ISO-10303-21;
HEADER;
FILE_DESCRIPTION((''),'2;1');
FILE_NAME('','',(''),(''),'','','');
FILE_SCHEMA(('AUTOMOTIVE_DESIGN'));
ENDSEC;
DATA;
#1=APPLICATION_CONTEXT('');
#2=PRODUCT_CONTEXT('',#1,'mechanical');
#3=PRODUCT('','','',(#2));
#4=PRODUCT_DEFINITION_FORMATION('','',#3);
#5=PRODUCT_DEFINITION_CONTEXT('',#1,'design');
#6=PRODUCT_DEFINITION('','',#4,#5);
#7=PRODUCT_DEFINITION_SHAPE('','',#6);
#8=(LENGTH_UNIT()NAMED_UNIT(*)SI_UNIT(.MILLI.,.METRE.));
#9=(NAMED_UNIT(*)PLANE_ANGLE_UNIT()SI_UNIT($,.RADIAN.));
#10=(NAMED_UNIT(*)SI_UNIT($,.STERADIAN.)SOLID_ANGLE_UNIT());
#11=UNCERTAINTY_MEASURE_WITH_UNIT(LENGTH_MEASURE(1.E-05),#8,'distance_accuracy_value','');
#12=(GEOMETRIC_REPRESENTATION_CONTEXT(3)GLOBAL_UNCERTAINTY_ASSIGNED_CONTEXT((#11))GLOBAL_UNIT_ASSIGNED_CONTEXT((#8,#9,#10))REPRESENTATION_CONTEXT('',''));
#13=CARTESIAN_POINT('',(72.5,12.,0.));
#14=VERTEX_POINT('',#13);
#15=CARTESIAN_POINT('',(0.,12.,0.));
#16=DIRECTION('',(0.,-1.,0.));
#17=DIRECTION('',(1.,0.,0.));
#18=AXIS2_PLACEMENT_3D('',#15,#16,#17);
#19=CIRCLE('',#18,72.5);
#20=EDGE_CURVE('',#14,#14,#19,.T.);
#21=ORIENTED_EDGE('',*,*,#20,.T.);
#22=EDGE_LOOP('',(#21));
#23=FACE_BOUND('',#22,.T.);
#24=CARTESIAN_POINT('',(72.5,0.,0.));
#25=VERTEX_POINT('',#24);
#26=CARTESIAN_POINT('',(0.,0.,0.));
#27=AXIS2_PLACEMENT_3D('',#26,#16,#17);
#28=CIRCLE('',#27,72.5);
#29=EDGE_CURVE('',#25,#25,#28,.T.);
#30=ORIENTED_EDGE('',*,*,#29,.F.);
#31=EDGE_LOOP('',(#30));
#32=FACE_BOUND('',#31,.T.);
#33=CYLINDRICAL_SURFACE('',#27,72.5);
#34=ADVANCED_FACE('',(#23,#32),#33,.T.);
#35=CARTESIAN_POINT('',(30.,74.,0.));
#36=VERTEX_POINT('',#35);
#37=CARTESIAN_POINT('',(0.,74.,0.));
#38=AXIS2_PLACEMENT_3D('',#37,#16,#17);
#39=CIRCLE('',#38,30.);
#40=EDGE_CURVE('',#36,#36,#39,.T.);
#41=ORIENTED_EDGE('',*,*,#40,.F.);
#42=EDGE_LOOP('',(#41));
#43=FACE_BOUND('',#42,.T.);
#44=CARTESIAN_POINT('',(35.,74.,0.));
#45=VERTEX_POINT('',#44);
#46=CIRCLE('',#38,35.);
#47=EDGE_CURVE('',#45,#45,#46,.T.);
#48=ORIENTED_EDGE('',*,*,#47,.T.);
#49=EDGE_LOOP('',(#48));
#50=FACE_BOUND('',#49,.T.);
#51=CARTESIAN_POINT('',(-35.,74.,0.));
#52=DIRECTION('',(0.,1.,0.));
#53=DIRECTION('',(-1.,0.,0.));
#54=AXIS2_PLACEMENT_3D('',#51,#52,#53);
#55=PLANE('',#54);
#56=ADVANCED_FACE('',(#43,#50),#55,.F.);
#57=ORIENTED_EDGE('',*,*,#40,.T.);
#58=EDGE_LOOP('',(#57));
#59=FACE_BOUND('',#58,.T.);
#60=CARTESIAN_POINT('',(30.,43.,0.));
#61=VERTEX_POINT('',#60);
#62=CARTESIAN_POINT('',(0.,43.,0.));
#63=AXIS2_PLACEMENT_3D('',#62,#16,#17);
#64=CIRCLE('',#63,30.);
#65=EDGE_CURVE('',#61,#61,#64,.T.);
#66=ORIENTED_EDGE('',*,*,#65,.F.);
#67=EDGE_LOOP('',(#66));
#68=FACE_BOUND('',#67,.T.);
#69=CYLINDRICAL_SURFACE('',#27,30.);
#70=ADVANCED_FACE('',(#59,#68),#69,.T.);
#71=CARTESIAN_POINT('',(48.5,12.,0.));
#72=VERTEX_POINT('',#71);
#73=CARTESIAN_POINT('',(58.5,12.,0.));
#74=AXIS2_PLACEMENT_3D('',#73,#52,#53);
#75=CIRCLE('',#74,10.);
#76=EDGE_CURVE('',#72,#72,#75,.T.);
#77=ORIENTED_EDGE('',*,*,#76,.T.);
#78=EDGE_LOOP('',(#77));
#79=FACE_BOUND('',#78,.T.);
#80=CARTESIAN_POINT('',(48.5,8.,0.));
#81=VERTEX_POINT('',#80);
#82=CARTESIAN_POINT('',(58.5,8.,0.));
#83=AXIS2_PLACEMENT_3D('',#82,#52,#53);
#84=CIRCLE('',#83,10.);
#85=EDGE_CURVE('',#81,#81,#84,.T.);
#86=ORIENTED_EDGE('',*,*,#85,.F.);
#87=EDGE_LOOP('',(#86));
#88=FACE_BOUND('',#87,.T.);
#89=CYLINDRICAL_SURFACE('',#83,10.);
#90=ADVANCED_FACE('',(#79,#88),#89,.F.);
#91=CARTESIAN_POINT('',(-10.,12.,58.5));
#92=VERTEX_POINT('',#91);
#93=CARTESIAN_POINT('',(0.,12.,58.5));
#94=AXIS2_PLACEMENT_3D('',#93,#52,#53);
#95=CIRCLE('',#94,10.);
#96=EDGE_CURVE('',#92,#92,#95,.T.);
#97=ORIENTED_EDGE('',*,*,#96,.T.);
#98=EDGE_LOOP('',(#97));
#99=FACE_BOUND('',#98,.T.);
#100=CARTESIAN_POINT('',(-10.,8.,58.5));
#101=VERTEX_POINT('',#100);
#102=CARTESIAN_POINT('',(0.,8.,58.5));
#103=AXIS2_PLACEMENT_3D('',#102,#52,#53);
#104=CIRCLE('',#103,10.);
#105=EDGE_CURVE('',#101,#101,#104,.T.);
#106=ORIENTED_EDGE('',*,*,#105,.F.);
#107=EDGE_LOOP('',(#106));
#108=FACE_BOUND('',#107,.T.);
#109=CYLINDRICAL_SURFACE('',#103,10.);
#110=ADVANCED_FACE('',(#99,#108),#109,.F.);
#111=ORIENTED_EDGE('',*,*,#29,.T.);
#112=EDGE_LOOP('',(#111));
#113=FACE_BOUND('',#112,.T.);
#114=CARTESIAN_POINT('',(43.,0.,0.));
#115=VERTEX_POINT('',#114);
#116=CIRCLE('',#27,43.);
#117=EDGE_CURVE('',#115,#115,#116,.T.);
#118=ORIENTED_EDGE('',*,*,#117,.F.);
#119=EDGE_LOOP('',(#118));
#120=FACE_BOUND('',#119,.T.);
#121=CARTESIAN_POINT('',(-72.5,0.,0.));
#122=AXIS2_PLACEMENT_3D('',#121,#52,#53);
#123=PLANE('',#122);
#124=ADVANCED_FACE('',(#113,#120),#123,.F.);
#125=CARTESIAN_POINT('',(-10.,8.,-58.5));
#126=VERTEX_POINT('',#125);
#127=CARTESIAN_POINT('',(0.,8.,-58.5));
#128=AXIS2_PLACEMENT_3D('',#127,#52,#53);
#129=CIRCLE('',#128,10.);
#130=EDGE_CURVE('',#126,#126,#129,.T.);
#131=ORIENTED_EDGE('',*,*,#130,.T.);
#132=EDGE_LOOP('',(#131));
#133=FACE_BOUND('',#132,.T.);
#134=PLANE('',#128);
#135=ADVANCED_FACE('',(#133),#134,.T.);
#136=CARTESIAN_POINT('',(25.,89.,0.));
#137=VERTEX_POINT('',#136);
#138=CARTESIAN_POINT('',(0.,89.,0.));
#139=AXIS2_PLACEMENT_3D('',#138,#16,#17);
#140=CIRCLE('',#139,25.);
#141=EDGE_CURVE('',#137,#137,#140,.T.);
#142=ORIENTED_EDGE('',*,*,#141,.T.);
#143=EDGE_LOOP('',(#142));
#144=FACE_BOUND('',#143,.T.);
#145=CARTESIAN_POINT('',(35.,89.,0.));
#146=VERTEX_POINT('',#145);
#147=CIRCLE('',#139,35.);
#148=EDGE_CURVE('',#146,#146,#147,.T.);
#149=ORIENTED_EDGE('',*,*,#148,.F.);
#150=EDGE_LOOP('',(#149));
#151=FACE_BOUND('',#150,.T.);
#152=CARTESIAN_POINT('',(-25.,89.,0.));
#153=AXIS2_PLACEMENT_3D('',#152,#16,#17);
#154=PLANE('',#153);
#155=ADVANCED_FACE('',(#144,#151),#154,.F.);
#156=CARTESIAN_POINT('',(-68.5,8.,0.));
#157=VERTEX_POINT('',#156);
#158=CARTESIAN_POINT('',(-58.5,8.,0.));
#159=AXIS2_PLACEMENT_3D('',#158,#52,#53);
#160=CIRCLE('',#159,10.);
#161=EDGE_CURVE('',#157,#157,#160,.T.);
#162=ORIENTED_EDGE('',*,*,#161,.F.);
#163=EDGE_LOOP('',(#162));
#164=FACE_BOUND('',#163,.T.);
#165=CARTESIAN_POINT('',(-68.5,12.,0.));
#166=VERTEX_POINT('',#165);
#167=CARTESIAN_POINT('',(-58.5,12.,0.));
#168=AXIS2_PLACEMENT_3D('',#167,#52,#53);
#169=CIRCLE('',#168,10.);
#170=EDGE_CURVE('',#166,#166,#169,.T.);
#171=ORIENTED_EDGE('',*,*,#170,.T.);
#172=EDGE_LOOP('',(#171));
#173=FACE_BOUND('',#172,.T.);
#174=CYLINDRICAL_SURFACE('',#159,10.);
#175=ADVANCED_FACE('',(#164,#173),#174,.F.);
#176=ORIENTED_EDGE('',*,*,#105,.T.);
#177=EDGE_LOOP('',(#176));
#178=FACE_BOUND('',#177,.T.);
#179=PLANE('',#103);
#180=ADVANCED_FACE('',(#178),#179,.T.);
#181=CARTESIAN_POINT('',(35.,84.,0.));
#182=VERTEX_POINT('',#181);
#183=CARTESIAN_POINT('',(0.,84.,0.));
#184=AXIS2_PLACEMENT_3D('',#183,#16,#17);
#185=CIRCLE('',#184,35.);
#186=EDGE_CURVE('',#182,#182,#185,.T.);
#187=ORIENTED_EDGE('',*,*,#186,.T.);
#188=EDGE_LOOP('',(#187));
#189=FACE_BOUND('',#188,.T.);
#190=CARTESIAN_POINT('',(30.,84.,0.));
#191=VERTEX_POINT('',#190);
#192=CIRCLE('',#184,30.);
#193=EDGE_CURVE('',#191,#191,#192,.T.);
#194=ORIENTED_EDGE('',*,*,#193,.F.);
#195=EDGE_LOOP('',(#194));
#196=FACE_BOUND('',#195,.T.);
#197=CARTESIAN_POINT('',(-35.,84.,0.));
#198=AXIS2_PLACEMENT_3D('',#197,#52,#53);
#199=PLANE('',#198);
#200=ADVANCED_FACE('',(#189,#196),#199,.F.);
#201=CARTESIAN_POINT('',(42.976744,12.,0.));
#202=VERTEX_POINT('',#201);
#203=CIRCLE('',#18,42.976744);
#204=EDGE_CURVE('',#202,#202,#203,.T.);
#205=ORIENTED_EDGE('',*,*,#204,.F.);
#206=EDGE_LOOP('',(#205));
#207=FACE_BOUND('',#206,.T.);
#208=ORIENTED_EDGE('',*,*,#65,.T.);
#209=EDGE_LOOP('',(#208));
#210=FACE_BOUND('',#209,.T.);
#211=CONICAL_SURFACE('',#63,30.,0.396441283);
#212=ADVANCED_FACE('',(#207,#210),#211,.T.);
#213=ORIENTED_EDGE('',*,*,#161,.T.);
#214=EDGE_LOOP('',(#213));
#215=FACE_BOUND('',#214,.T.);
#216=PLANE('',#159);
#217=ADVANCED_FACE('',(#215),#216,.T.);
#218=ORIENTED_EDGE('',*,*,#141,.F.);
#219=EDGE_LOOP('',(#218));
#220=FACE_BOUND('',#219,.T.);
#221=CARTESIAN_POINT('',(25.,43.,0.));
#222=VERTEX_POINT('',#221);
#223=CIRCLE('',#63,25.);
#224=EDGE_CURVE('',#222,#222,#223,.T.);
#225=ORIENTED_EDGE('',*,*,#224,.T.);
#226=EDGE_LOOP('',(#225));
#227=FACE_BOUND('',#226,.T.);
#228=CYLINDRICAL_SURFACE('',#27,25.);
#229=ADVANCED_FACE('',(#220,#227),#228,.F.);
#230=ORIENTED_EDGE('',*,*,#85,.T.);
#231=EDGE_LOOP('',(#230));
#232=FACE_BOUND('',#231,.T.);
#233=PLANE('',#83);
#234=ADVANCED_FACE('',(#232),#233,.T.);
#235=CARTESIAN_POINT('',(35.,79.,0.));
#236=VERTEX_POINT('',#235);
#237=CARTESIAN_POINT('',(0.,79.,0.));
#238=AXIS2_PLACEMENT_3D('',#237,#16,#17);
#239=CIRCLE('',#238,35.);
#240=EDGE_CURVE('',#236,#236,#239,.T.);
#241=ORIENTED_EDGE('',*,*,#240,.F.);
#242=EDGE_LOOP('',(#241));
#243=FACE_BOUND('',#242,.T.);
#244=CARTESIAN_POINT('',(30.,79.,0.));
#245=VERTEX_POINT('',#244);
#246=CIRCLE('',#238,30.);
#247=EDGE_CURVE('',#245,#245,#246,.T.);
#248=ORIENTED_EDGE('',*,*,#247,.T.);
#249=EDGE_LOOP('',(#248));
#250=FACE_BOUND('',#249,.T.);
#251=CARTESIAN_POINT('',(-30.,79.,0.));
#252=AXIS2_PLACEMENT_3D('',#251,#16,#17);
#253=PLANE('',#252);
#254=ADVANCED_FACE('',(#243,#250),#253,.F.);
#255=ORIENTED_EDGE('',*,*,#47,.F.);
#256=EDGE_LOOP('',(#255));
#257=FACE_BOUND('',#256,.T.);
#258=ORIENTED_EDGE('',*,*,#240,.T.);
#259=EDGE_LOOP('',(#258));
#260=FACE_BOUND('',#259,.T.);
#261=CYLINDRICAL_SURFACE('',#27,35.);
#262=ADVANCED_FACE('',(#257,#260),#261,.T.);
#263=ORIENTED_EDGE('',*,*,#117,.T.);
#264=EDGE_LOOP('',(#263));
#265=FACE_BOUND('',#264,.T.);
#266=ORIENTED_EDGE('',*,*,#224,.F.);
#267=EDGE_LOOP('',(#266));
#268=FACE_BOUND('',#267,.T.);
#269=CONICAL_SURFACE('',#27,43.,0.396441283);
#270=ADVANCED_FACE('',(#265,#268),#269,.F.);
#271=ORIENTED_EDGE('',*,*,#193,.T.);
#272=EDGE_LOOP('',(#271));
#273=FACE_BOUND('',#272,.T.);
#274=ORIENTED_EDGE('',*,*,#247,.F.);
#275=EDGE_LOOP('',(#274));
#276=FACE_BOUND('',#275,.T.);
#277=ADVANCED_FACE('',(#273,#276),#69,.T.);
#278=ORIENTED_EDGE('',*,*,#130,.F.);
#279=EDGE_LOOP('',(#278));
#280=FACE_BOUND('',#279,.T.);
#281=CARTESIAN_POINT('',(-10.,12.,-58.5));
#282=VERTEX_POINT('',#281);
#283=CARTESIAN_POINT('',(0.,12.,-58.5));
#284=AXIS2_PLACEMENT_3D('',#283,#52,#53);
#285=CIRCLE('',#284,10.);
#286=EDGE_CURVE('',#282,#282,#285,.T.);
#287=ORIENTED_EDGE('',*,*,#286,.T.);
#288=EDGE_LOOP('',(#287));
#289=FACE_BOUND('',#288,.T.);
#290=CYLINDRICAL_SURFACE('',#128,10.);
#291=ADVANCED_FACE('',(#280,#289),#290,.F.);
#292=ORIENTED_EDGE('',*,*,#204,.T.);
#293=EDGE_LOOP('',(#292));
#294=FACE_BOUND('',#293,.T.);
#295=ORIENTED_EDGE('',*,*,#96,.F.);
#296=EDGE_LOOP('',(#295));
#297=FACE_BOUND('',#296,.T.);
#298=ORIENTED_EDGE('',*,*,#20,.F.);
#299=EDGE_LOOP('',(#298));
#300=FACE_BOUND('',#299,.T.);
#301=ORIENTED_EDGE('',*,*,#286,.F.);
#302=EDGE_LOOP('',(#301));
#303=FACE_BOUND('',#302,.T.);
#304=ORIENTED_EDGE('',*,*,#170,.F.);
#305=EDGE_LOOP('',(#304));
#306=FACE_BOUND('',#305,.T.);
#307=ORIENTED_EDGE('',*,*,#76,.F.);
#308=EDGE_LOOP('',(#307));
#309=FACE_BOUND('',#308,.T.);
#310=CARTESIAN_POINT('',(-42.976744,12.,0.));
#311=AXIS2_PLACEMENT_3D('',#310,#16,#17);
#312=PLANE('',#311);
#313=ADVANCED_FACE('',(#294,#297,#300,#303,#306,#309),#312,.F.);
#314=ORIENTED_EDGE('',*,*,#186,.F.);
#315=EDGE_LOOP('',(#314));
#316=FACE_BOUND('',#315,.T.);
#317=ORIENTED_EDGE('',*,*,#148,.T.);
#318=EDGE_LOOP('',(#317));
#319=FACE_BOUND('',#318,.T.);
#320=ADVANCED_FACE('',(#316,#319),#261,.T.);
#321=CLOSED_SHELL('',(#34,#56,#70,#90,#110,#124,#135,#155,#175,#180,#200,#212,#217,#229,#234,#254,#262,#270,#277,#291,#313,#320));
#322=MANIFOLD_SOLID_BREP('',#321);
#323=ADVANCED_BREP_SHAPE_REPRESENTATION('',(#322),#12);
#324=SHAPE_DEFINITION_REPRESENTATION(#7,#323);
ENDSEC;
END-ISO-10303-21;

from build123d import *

# Parameters (mm, degrees)
SKETCH5_R          = 10
CUT_EXTRUDE1_DEPTH = 4


with BuildPart() as part:
    # Sketch1 → Revolve1 (revolve)
    with BuildSketch(Plane.XY, mode=Mode.PRIVATE) as revolve1_sk:
        Polygon((-25, 89), (-35, 89), (-35, 84), (-30, 84), (-30, 79), (-35, 79), (-35, 74), (-30, 74), (-30, 43), (-42.976744186, 12), (-72.5, 12), (-72.5, 0), (-43, 0), (-25, 43), align=None)
    revolve(revolve1_sk.sketch.rotate(Axis((0, 0, 0), (0, 1, 0)), 180), axis=Axis((0, 0, 0), (0, 1, 0)))

    # Sketch5 → Cut-Extrude1 (cut)
    with BuildSketch(Plane(origin=(0, 12, 0), x_dir=(1, 0, 0), z_dir=(0, 1, 0))):
        with Locations(Location((0, 58.5, 0), (0, 0, 180))):
            Circle(SKETCH5_R)
        with Locations(Location((58.5, 0, 0), (0, 0, 180))):
            Circle(SKETCH5_R)
        with Locations(Location((0, -58.5, 0), (0, 0, 180))):
            Circle(SKETCH5_R)
        with Locations(Location((-58.5, 0, 0), (0, 0, 180))):
            Circle(SKETCH5_R)
    extrude(amount=-CUT_EXTRUDE1_DEPTH, mode=Mode.SUBTRACT)


solid = part.part
